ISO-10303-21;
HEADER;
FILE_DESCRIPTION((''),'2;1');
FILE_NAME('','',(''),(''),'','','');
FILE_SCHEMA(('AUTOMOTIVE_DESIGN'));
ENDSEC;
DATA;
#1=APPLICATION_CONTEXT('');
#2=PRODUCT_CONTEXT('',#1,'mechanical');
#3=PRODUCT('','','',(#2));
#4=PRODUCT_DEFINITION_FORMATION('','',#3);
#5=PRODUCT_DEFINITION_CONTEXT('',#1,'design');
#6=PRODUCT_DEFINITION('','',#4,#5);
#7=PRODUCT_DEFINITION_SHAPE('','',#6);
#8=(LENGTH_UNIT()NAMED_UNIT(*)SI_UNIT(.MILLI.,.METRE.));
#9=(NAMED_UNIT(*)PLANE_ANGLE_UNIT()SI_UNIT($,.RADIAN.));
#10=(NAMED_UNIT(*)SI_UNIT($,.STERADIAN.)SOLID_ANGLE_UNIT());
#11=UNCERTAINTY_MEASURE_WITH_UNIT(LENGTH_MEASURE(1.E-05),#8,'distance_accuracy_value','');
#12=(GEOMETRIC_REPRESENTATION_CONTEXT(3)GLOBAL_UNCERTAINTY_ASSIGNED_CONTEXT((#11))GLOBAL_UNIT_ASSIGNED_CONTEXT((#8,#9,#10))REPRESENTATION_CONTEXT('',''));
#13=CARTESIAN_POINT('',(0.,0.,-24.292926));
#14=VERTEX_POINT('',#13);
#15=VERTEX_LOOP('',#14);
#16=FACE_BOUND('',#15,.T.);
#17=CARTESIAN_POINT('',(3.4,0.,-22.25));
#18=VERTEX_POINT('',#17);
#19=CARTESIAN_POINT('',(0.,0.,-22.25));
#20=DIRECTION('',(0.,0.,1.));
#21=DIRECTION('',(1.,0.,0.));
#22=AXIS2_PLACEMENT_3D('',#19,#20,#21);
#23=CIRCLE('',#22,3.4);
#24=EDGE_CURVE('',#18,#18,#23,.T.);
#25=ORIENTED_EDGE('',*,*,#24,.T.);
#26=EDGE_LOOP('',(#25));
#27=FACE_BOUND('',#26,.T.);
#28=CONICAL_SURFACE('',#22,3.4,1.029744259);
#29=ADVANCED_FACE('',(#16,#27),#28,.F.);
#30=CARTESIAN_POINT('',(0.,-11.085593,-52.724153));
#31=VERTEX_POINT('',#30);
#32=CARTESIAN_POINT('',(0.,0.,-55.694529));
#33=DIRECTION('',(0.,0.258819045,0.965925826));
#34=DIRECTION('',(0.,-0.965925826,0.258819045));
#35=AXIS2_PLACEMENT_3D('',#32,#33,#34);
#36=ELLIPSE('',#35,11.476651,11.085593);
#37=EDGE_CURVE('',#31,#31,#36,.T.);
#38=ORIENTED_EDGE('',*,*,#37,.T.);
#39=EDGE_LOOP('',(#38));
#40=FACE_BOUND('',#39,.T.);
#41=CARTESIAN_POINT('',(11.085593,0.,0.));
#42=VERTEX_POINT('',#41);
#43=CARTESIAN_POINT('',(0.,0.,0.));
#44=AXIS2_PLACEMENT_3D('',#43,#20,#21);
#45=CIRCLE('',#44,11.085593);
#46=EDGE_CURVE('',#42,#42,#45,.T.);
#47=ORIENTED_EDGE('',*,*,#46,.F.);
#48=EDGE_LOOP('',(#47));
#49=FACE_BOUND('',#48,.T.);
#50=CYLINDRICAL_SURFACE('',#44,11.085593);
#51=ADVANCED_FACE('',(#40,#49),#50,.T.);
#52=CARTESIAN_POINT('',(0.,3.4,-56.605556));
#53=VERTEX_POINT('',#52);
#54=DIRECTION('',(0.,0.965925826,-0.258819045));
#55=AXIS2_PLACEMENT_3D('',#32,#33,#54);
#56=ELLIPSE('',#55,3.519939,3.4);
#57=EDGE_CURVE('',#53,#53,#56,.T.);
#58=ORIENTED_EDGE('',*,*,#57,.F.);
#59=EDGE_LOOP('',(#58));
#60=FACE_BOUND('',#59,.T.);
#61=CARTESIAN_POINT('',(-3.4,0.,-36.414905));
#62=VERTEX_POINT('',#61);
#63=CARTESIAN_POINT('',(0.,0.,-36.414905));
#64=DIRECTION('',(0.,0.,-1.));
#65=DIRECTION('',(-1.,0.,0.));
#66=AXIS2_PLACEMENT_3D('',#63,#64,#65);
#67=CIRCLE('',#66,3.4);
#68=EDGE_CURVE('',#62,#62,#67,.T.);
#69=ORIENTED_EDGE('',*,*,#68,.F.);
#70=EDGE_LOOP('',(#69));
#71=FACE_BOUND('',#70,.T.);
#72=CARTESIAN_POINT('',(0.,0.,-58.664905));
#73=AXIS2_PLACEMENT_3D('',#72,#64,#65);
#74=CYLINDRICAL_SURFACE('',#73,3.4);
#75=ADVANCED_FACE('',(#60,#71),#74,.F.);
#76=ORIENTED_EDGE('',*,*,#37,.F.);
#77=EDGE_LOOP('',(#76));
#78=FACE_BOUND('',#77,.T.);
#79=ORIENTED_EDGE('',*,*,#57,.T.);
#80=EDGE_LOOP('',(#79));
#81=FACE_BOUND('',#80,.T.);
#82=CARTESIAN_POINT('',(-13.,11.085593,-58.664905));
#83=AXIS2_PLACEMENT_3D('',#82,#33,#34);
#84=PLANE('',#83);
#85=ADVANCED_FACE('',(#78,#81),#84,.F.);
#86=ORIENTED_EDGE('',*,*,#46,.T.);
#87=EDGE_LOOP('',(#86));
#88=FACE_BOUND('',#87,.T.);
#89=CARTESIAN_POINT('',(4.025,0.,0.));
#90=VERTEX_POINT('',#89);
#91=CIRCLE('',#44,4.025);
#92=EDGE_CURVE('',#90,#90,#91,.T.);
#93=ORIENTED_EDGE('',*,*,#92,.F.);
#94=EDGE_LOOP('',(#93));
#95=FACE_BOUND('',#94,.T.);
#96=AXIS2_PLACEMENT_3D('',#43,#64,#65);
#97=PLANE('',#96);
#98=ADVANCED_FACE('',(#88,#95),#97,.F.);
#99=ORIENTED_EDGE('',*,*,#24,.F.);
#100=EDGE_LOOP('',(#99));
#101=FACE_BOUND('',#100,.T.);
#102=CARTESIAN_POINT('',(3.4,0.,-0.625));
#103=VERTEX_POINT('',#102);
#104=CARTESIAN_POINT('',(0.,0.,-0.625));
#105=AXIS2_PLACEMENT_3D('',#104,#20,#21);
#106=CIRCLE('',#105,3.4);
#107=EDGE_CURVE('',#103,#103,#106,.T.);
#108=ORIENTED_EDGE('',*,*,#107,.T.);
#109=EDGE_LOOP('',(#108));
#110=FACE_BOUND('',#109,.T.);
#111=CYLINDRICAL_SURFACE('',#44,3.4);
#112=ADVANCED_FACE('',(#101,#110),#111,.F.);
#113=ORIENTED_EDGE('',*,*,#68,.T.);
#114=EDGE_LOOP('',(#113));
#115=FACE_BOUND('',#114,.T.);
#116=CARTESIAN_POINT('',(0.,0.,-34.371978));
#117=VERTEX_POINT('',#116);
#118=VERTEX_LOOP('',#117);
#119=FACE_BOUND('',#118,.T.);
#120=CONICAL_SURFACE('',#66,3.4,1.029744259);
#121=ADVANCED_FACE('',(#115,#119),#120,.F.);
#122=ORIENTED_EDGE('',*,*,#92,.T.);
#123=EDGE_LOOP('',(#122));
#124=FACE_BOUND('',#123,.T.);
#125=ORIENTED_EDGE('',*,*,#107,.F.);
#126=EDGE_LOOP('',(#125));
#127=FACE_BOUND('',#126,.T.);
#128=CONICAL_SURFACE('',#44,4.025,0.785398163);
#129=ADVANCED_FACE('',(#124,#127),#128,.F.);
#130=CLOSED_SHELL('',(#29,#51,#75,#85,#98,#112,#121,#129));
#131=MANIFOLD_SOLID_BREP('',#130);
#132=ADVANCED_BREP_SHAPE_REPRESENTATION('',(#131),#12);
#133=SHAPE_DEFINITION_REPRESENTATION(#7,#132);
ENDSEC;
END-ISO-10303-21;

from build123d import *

# Parameters (mm, degrees)
SKIZZE1_W                       = 58.664904562
SKIZZE1_H                       = 11.08559322
SCHNITT_LINEAR_AUSTRAGEN1_DEPTH = 13
M8_GEWINDEBOHRUNG1_D            = 6.8
M8_GEWINDEBOHRUNG1_DEPTH        = 22.25
M8_GEWINDEBOHRUNG1_CSINK_D      = 8.05
M8_GEWINDEBOHRUNG1_CSINK_ANGLE  = 90
M8_GEWINDEBOHRUNG1_TIP          = 2.042926105
M8_GEWINDEBOHRUNG2_D            = 6.8
M8_GEWINDEBOHRUNG2_DEPTH        = 22.25
M8_GEWINDEBOHRUNG2_CSINK_D      = 8.05
M8_GEWINDEBOHRUNG2_CSINK_ANGLE  = 90
M8_GEWINDEBOHRUNG2_TIP          = 2.042926105


with BuildPart() as part:
    # Skizze1 → Rotation1 (revolve)
    with BuildSketch(Plane(origin=(0, 0, 0), x_dir=(0, 0, -1), z_dir=(1, 0, 0)), mode=Mode.PRIVATE) as rotation1_sk:
        with Locations((29.332452281, 5.54279661)):
            Rectangle(SKIZZE1_W, SKIZZE1_H)
    revolve(rotation1_sk.sketch.rotate(Axis((0, 0, 0), (0, 0, -1)), 90), axis=Axis((0, 0, 0), (0, 0, -1)))  # turned: the seam where the file's is

    # Skizze2 → Schnitt-Linear austragen1 (cut, symmetric)
    with BuildSketch(Plane(origin=(0, 0, 0), x_dir=(0, 0, -1), z_dir=(1, 0, 0))):
        Polygon((58.664904562, 11.08559322), (52.72415306, -11.08559322), (58.664904562, -11.08559322), align=None)
    extrude(amount=SCHNITT_LINEAR_AUSTRAGEN1_DEPTH, both=True, mode=Mode.SUBTRACT)

    # M8 Gewindebohrung1
    with Locations(Plane.XY):
        with Locations((0, 0)):
            CounterSinkHole(M8_GEWINDEBOHRUNG1_D / 2, M8_GEWINDEBOHRUNG1_CSINK_D / 2, depth=M8_GEWINDEBOHRUNG1_DEPTH, counter_sink_angle=M8_GEWINDEBOHRUNG1_CSINK_ANGLE)
            with Locations((0, 0, -(M8_GEWINDEBOHRUNG1_DEPTH + M8_GEWINDEBOHRUNG1_TIP / 2))):  # 118° drill point
                Cone(0, M8_GEWINDEBOHRUNG1_D / 2, M8_GEWINDEBOHRUNG1_TIP, mode=Mode.SUBTRACT)

    # M8 Gewindebohrung2
    with Locations(Plane(origin=(0, 0, -58.664904562), x_dir=(1, 0, 0), z_dir=(0, 0, -1))):
        with Locations((0, 0)):
            CounterSinkHole(M8_GEWINDEBOHRUNG2_D / 2, M8_GEWINDEBOHRUNG2_CSINK_D / 2, depth=M8_GEWINDEBOHRUNG2_DEPTH, counter_sink_angle=M8_GEWINDEBOHRUNG2_CSINK_ANGLE)
            with Locations((0, 0, -(M8_GEWINDEBOHRUNG2_DEPTH + M8_GEWINDEBOHRUNG2_TIP / 2))):  # 118° drill point
                Cone(0, M8_GEWINDEBOHRUNG2_D / 2, M8_GEWINDEBOHRUNG2_TIP, mode=Mode.SUBTRACT)


solid = part.part
